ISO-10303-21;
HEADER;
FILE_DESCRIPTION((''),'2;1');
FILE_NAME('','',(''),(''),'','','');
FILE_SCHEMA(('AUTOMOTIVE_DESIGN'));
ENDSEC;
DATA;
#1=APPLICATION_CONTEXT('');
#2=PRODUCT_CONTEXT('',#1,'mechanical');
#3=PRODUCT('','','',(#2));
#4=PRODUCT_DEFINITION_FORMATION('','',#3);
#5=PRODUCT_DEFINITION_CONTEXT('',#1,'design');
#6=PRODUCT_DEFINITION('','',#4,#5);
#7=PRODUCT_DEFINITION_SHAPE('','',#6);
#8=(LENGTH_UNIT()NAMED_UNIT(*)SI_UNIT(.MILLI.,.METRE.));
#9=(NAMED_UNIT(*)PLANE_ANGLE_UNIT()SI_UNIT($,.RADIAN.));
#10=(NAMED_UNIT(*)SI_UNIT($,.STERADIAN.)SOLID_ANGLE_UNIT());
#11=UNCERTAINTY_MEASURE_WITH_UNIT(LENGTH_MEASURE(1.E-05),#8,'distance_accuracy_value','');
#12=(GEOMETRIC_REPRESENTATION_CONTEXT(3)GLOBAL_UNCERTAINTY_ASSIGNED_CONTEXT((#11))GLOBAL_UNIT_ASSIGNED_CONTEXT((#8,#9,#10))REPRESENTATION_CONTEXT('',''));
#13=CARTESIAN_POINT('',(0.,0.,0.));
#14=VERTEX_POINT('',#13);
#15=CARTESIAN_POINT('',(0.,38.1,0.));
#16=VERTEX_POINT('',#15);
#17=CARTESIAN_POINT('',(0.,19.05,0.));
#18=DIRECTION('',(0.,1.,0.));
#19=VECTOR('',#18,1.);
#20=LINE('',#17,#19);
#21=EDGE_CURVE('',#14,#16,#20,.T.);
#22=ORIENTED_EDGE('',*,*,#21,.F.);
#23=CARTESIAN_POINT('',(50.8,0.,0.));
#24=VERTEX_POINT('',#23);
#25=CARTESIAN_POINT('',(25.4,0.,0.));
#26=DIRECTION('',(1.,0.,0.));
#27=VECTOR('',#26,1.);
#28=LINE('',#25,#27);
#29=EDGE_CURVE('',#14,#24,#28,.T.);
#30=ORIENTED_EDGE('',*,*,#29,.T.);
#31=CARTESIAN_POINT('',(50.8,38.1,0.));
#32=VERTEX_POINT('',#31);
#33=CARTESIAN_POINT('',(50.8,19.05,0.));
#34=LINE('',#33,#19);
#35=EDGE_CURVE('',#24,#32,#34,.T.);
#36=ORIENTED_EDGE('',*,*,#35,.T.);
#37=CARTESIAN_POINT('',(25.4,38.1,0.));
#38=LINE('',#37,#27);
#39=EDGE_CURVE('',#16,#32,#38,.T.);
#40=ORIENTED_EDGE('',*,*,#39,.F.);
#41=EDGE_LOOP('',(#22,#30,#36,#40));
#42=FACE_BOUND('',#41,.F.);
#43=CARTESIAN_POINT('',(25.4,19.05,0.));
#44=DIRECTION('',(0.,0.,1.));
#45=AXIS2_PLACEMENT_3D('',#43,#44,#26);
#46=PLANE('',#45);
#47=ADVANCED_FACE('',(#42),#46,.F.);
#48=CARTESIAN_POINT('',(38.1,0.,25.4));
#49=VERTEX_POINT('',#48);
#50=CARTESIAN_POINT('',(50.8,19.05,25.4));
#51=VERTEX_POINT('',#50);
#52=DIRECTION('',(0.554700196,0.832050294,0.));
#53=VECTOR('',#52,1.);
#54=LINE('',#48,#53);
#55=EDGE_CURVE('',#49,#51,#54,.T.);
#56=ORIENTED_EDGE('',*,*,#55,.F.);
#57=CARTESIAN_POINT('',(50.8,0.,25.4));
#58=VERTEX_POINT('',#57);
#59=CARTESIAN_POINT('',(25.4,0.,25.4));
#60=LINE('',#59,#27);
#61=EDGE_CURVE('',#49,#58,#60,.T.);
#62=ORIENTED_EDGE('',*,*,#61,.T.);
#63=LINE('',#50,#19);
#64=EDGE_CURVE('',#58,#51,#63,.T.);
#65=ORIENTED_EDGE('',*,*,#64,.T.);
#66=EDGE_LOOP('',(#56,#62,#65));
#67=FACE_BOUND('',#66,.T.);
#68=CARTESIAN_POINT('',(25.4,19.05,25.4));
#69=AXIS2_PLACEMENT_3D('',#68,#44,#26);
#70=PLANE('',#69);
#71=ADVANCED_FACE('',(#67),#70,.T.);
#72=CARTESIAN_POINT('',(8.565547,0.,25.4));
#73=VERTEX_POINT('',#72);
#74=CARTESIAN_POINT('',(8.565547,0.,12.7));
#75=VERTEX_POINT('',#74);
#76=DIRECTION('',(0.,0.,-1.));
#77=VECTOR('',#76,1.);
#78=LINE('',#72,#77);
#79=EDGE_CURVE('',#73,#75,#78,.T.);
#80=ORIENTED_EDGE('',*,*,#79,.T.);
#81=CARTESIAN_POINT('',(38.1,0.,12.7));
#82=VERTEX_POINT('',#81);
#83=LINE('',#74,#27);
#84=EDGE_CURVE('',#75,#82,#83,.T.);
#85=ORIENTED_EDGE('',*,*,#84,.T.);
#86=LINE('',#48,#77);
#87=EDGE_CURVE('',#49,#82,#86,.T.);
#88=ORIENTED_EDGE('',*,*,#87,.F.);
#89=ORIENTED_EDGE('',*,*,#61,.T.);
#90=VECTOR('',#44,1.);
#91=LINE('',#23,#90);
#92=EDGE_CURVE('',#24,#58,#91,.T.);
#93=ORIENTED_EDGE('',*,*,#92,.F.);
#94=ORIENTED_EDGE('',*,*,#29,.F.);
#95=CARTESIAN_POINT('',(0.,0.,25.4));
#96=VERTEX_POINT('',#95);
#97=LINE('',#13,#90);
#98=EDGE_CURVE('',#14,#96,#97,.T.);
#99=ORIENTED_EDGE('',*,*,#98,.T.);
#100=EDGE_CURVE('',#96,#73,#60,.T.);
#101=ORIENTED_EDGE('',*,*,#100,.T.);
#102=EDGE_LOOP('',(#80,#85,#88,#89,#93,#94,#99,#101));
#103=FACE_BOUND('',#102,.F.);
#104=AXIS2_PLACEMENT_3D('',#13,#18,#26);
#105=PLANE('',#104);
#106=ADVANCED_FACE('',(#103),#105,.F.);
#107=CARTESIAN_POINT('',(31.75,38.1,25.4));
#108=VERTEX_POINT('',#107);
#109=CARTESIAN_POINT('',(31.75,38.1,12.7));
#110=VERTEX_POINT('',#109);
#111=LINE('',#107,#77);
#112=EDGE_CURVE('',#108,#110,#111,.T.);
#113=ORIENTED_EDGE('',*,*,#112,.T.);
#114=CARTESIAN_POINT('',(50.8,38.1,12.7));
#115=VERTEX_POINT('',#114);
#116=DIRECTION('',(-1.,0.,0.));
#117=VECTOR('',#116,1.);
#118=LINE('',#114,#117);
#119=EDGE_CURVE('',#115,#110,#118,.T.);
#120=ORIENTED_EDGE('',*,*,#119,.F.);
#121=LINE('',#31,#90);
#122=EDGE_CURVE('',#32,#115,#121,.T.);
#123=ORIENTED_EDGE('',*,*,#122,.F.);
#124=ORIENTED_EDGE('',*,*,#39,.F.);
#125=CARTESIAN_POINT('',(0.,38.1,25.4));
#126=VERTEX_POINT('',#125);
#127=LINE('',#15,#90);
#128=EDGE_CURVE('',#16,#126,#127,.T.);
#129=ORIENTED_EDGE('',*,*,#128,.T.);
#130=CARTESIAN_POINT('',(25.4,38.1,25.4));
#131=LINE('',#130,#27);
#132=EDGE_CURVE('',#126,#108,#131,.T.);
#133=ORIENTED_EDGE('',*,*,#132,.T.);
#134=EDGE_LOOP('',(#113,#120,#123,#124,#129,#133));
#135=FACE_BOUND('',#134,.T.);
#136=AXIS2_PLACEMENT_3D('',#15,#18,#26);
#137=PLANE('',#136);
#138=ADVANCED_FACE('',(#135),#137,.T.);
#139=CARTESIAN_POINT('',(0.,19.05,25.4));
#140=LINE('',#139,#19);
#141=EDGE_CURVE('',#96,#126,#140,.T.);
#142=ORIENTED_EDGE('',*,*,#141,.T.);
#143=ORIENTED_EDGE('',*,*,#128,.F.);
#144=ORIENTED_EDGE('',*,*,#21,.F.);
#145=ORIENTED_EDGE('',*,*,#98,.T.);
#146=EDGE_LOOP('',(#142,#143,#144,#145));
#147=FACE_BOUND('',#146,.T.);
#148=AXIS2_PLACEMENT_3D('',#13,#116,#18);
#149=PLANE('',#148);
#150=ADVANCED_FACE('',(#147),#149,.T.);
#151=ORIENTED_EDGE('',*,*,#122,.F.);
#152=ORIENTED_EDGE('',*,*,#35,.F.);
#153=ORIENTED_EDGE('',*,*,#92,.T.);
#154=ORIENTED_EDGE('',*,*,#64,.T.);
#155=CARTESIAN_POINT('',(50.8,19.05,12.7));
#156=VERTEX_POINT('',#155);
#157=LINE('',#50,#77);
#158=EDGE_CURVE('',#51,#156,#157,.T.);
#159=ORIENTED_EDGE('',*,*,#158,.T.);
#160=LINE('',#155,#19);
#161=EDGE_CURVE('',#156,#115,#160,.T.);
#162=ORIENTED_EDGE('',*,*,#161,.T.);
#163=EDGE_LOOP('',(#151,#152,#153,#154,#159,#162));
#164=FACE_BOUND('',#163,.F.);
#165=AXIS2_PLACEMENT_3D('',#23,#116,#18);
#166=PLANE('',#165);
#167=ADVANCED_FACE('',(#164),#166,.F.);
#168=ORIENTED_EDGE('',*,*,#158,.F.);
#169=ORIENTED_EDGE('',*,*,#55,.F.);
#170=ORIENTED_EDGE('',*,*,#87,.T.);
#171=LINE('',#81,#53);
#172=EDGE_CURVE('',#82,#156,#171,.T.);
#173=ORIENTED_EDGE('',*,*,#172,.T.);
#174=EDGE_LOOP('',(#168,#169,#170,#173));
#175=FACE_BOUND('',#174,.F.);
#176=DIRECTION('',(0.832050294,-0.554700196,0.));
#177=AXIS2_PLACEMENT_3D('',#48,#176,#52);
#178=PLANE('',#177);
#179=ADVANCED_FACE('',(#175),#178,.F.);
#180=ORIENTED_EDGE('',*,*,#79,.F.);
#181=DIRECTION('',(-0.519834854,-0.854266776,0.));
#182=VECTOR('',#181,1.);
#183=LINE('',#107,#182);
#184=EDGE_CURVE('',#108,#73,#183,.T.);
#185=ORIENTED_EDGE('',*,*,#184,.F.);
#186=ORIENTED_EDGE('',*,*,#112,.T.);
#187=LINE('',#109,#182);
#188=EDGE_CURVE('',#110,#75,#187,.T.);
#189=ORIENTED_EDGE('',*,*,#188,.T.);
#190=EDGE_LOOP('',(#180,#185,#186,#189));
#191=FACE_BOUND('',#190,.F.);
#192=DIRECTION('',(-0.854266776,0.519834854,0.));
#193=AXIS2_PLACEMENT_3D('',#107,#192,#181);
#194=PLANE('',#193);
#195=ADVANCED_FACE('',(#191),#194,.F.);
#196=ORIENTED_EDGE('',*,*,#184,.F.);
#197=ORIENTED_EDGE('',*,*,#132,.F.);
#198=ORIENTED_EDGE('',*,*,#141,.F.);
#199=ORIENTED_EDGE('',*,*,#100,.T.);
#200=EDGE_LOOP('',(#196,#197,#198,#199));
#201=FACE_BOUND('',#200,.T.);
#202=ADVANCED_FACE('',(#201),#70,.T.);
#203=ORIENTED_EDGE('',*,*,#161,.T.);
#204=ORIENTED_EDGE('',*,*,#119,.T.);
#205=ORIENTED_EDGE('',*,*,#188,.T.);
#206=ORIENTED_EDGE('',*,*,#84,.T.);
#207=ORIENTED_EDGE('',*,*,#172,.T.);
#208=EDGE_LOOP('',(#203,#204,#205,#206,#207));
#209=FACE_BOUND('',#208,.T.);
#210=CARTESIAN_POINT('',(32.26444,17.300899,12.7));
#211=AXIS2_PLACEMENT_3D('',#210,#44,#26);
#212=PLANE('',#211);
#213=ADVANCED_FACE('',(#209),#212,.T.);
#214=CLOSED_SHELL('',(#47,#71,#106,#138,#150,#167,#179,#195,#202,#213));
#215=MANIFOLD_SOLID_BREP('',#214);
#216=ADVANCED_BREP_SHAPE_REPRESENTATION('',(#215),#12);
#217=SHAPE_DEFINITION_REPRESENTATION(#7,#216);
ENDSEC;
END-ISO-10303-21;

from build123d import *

# Parameters (mm, degrees)
F0_W     = 50.8
F0_H     = 38.1
F1_DEPTH = 25.4
F3_DEPTH = 12.7


with BuildPart() as f1:
    # F0 (on Top) → F1 (new body)
    with BuildSketch(Plane.XY):
        with Locations((25.4, 19.05)):
            Rectangle(F0_W, F0_H)
    extrude(amount=F1_DEPTH)

    # F2 (on face) → F3 (cut)
    with BuildSketch(Plane.XY.offset(25.4)):
        Polygon((31.75, 38.1), (8.565547, 0), (38.1, 0), (50.8, 19.05), (50.8, 38.1), align=None)
    extrude(amount=-F3_DEPTH, mode=Mode.SUBTRACT)


solid = f1.part
